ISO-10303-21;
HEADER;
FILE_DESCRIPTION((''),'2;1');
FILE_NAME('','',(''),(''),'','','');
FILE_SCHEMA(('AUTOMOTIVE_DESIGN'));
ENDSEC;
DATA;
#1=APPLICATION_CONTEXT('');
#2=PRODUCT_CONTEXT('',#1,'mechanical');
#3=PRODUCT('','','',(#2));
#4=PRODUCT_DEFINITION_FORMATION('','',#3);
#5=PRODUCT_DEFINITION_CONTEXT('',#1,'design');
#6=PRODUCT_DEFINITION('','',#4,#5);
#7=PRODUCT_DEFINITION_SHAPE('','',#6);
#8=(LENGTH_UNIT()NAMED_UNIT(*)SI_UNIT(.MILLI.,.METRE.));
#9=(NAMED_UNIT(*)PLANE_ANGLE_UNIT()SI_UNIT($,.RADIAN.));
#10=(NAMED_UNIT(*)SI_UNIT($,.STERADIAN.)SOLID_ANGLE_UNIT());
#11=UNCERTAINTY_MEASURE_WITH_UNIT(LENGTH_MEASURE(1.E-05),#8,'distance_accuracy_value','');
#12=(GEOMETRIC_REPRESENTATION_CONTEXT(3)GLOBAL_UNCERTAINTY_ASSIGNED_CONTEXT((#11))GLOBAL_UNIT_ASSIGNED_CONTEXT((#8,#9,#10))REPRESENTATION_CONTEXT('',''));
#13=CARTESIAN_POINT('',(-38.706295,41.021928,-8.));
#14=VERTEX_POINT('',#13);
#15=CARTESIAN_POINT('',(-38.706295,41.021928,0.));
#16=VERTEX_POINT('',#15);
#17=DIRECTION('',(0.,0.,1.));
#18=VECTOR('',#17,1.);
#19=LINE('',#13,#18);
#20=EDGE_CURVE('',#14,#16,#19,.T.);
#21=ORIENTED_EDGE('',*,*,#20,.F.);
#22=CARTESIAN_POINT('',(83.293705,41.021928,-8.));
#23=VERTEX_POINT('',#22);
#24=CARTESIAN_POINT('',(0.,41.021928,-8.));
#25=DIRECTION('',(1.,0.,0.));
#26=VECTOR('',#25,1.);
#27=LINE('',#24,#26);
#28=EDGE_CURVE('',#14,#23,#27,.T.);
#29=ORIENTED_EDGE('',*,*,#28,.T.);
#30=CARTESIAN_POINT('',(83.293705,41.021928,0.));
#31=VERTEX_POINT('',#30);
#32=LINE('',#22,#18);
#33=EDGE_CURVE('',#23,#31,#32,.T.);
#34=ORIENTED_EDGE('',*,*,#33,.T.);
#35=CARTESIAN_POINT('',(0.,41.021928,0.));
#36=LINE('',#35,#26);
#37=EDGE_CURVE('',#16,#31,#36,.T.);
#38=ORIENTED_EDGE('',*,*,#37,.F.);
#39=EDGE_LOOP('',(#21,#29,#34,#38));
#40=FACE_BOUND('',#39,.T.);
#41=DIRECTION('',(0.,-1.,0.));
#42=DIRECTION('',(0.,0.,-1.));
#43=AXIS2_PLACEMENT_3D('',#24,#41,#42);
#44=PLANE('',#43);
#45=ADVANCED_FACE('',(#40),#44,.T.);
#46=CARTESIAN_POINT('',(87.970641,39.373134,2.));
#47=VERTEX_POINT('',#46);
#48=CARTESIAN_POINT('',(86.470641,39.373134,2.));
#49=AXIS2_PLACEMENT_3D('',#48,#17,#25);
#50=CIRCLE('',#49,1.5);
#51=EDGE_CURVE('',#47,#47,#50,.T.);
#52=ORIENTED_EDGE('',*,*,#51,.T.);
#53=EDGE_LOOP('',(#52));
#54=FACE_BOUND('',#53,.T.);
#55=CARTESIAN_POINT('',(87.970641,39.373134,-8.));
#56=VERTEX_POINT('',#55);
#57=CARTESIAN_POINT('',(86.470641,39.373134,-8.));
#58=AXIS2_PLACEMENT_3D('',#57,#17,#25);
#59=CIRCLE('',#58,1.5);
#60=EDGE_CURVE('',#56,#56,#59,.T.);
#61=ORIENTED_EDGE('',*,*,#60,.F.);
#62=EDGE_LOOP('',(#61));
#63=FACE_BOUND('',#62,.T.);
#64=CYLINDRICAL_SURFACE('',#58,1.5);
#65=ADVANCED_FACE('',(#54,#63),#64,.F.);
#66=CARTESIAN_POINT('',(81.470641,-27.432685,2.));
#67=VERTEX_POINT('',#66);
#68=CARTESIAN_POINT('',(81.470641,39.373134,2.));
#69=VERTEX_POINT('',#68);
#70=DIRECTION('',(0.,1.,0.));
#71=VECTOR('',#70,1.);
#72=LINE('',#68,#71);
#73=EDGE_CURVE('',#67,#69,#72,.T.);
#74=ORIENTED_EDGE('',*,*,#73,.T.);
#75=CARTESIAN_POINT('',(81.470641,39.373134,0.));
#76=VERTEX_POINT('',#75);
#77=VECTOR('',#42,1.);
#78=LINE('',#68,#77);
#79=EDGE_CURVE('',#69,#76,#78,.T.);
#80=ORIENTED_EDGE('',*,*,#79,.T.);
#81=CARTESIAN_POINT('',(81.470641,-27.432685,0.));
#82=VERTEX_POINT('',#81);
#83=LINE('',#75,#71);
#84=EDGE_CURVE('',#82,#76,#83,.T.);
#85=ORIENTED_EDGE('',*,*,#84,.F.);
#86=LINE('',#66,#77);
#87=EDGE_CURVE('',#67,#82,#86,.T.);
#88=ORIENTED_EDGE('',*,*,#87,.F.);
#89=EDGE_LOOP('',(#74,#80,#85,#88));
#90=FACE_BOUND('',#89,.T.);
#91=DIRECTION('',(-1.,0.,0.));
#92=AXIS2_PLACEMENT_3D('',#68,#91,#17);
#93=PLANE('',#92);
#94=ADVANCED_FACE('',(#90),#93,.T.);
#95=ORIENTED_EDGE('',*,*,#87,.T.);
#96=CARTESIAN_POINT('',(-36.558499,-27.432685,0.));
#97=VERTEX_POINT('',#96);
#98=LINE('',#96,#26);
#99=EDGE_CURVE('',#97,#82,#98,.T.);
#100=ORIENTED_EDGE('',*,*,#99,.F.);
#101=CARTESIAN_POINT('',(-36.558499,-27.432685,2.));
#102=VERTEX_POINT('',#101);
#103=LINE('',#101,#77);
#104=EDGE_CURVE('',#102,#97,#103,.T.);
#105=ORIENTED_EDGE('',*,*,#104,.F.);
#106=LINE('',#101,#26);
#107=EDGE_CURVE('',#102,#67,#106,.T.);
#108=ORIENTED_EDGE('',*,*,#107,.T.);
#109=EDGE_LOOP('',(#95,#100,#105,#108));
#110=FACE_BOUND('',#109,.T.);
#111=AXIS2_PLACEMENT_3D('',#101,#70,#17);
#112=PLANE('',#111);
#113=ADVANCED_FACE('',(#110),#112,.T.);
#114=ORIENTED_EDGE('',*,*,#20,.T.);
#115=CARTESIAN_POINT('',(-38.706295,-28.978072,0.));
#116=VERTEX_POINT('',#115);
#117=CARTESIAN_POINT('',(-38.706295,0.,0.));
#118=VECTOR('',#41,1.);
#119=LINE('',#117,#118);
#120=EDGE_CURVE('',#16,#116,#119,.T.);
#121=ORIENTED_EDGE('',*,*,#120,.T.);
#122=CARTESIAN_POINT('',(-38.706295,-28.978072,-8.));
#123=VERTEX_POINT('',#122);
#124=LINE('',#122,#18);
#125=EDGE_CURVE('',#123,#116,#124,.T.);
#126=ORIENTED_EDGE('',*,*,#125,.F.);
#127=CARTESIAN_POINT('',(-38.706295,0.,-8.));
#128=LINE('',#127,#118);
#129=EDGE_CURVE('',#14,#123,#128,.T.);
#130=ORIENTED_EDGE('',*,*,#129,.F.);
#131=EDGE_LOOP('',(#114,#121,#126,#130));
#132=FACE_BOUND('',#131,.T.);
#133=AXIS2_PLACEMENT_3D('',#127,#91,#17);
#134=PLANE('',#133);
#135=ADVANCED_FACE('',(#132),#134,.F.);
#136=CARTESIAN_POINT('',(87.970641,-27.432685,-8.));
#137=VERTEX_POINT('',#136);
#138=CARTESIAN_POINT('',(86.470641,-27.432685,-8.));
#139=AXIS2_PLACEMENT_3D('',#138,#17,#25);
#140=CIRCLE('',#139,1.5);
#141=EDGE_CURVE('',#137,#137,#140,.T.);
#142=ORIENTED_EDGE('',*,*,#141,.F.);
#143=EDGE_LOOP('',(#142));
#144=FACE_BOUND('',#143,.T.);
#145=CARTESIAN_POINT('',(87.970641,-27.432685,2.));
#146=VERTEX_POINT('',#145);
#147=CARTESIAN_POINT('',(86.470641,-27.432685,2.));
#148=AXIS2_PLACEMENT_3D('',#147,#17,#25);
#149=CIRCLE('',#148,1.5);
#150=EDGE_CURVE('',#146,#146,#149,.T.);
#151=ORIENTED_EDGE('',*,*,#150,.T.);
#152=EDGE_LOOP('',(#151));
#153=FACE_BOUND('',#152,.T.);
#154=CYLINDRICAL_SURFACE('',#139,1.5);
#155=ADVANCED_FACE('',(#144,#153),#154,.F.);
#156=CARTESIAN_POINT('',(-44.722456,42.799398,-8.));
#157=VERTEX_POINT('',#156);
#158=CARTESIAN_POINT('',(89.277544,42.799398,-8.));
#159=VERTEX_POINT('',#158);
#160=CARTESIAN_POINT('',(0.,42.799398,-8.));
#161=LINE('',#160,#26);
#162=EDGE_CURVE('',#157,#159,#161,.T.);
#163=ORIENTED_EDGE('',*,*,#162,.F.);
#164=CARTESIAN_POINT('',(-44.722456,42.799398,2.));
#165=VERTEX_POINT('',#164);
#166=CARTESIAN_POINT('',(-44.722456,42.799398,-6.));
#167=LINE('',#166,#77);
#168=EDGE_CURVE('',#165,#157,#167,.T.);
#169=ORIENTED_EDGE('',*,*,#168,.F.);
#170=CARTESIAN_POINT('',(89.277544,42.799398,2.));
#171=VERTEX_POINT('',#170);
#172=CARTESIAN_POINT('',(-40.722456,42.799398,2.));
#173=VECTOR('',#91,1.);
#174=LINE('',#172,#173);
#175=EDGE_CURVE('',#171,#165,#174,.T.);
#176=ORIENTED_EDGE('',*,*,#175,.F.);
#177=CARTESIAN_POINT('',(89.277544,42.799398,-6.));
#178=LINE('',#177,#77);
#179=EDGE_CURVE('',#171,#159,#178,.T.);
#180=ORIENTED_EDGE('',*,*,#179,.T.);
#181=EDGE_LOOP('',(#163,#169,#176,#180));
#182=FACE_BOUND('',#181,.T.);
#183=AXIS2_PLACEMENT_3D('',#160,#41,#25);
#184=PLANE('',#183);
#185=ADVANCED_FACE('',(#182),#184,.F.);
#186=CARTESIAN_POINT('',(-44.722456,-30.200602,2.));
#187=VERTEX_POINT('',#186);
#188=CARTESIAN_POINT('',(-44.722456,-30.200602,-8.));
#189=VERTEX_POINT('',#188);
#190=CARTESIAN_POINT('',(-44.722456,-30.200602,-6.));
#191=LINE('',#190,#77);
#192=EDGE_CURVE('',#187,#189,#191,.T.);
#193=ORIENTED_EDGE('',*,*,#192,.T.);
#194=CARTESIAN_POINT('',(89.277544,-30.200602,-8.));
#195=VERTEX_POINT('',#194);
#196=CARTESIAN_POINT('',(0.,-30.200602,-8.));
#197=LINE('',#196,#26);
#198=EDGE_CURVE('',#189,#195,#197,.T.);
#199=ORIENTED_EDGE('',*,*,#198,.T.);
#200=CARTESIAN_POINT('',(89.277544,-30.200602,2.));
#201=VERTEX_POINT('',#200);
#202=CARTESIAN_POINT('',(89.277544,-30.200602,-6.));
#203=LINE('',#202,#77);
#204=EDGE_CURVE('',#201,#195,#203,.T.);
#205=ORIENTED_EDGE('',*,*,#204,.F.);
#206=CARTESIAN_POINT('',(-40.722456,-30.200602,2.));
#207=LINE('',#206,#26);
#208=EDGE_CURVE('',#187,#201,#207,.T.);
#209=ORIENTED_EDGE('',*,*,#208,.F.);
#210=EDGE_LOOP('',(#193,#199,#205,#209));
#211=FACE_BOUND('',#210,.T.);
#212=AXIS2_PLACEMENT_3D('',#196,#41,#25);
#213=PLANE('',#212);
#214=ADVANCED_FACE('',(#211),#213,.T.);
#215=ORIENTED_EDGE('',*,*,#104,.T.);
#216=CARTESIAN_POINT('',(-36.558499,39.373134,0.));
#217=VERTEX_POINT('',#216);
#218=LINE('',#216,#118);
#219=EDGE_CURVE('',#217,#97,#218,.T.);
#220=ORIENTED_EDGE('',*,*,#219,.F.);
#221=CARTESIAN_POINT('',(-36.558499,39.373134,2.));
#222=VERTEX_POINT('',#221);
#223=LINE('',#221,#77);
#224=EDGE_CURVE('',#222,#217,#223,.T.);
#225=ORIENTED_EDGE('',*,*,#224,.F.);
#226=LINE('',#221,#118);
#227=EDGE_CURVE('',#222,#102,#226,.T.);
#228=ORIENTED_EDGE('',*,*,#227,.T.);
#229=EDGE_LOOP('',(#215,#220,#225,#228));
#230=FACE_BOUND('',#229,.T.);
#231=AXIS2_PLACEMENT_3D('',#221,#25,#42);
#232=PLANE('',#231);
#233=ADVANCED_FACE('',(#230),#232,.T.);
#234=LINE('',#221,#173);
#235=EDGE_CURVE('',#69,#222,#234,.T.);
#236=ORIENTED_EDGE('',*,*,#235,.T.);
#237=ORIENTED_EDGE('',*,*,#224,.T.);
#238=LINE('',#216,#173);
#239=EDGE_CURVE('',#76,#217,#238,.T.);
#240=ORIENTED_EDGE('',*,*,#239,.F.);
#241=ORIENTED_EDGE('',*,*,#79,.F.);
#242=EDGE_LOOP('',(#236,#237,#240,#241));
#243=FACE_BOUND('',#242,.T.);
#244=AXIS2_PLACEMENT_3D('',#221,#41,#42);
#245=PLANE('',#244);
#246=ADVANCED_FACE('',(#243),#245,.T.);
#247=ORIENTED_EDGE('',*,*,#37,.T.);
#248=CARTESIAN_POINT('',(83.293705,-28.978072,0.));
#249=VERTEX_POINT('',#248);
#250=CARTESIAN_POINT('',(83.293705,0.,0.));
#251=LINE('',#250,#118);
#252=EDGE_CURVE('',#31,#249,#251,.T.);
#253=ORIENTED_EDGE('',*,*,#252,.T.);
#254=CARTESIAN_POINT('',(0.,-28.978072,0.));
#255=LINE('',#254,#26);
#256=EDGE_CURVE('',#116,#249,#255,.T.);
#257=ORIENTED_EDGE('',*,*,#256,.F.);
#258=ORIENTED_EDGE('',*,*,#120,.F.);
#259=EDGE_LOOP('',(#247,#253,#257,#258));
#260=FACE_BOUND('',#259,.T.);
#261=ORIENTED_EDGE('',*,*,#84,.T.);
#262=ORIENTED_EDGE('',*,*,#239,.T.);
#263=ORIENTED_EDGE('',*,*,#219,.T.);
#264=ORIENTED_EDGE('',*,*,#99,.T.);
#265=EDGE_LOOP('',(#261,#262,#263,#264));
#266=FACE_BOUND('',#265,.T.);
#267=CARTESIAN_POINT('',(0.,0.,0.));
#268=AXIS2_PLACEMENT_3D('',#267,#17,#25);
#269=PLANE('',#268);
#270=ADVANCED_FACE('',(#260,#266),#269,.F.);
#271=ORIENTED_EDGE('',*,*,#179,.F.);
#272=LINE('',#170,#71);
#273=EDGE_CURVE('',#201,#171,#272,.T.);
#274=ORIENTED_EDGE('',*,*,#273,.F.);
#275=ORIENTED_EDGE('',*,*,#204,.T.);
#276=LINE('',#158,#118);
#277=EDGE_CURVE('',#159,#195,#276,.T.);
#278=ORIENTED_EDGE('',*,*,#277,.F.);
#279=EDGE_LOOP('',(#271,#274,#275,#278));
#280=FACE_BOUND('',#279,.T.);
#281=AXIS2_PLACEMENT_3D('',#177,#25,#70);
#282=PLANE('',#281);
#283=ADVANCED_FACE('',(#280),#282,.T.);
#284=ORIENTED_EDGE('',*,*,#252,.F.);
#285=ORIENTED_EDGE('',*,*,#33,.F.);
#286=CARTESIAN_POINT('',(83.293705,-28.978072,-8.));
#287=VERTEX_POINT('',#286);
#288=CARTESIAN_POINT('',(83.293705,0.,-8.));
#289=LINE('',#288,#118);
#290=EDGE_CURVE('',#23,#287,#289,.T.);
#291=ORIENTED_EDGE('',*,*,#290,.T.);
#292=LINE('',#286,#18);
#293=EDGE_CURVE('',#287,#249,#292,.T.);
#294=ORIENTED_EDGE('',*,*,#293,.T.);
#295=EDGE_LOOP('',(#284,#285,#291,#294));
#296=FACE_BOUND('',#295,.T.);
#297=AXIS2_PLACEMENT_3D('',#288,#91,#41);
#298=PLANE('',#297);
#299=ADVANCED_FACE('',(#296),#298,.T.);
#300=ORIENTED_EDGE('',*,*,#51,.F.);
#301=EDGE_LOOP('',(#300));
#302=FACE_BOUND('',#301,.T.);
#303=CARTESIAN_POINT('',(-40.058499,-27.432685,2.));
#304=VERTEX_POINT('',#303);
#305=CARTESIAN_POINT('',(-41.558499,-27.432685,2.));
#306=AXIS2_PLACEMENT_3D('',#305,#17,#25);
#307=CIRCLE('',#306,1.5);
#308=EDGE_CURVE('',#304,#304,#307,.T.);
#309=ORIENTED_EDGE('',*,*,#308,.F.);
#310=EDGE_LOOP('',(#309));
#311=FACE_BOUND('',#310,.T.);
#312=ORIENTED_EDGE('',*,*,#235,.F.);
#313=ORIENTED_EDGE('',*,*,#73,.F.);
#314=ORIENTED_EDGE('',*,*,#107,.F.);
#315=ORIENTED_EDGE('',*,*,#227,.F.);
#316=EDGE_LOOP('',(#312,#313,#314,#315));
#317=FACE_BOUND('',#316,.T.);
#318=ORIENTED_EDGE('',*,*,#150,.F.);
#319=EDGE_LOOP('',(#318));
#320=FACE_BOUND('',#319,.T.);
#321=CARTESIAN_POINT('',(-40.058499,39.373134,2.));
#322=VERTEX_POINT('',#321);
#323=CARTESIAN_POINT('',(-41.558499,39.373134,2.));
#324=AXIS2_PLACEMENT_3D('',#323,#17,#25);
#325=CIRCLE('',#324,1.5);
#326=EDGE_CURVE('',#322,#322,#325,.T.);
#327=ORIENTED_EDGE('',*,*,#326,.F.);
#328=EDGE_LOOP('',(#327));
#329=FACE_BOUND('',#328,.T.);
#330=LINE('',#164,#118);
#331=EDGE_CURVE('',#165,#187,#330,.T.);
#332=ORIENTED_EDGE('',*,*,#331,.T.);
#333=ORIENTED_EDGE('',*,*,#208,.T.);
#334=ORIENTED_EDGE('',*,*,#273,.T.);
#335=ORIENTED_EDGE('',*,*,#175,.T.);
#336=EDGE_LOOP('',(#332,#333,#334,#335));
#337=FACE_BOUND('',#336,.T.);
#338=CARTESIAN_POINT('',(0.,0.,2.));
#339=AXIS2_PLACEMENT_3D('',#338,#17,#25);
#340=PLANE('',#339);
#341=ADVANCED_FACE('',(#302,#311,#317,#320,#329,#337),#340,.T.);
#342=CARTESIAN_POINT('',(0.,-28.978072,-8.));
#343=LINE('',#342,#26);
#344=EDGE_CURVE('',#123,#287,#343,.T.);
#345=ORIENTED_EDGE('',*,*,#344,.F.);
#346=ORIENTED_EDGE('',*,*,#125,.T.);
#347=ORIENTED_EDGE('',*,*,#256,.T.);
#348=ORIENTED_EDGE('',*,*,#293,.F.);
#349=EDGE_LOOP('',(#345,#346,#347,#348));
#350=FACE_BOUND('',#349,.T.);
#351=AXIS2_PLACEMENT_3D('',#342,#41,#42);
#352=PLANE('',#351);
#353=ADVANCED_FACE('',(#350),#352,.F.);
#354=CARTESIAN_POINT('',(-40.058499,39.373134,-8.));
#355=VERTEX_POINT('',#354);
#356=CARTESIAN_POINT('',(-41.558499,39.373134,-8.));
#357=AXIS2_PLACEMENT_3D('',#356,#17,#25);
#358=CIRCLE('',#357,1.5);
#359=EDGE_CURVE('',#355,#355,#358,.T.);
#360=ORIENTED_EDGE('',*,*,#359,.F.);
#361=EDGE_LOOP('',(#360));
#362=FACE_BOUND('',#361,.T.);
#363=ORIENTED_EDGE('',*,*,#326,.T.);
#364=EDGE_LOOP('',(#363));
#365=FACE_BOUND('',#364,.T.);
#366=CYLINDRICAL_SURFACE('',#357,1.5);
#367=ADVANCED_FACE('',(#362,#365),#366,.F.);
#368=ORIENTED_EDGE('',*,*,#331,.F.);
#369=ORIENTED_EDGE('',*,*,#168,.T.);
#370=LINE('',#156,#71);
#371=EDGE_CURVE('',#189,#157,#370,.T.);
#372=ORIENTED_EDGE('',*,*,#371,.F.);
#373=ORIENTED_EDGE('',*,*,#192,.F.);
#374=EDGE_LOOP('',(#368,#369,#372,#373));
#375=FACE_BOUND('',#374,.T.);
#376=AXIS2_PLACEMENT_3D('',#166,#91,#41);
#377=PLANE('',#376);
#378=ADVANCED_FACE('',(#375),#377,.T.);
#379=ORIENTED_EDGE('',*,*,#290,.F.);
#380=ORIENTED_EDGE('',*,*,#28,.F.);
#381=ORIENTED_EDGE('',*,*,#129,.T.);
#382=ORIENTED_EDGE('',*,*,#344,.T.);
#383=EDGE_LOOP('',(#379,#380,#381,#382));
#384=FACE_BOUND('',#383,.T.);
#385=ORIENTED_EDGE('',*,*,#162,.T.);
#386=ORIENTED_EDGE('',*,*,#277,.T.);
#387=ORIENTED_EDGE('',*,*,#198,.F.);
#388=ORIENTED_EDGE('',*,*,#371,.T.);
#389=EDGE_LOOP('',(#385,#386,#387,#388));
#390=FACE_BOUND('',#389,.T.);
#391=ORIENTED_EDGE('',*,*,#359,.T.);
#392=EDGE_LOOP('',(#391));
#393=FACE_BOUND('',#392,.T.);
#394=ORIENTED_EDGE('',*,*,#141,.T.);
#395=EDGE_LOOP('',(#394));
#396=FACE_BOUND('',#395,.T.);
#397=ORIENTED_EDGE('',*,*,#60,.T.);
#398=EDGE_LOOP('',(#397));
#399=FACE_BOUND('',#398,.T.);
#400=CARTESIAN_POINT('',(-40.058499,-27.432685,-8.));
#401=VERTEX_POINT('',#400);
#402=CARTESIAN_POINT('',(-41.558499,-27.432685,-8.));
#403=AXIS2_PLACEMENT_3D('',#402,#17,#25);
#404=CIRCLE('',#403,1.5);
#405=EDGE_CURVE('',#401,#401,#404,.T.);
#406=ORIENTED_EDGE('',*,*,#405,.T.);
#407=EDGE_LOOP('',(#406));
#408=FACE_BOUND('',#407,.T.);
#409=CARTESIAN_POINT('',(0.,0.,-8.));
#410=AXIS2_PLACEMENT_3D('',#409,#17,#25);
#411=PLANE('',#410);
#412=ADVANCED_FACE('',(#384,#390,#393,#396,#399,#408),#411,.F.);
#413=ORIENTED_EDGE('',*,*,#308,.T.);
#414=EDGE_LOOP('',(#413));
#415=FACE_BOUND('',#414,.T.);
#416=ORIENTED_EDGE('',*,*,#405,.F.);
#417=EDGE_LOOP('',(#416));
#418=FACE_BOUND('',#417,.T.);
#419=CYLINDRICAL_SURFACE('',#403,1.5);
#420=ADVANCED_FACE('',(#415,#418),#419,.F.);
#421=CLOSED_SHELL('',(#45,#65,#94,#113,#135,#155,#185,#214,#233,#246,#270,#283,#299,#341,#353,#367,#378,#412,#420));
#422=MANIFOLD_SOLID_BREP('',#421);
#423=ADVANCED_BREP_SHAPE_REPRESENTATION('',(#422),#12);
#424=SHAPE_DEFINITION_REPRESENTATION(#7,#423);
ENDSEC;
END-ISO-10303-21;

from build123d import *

# Parameters (mm, degrees)
SKETCH_1_W          = 126
SKETCH_1_H          = 73
SKETCH_1_W_2        = 122
SKETCH_1_H_2        = 70
EXTRUDE_1_DEPTH     = 8
SKETCH_5_W          = 126
SKETCH_5_H          = 73
SKETCH_5_W_2        = 118.02914008
SKETCH_5_H_2        = 66.805819456
EXTRUDE_2_DEPTH     = 2
SKETCH_7_W          = 4
SKETCH_7_H          = 73
EXTRUDE_3_DEPTH     = 2
SKETCH_8_W          = 4
SKETCH_8_H          = 73
EXTRUDE_5_DEPTH     = 2
SKETCH_10_W         = 4
SKETCH_10_H         = 73
EXTRUDE_6_DEPTH     = 5
SKETCH_12_W         = 4
SKETCH_12_H         = 73
EXTRUDE_7_DEPTH     = 3
CUT_EXTRUDE_1_DEPTH = 100.510141559


with BuildPart() as part:
    # 草图1 → 凸台-拉伸1 (new body)
    with BuildSketch(Plane.XY):
        with Locations((22.277543779, 6.299397776)):
            Rectangle(SKETCH_1_W, SKETCH_1_H)
        with Locations((22.29370516, 6.021928133)):
            Rectangle(SKETCH_1_W_2, SKETCH_1_H_2, mode=Mode.SUBTRACT)
    extrude(amount=-EXTRUDE_1_DEPTH)

    # 草图5 → 凸台-拉伸2 (add)
    with BuildSketch(Plane.XY):
        with Locations((22.277543779, 6.299397776)):
            Rectangle(SKETCH_5_W, SKETCH_5_H)
        with Locations((22.456070853, 5.970224549)):
            Rectangle(SKETCH_5_W_2, SKETCH_5_H_2, mode=Mode.SUBTRACT)
    extrude(amount=EXTRUDE_2_DEPTH)

    # 草图7 → 凸台-拉伸3 (add)
    with BuildSketch(Plane(origin=(0, 0, -8), x_dir=(-1, 0, 0), z_dir=(0, 0, -1))):
        with Locations((-87.277543779, 6.299397776)):
            Rectangle(SKETCH_7_W, SKETCH_7_H)
    extrude(amount=-EXTRUDE_3_DEPTH)

    # 草图8 → 凸台-拉伸5 (add)
    with BuildSketch(Plane(origin=(0, 0, -8), x_dir=(-1, 0, 0), z_dir=(0, 0, -1))):
        with Locations((42.722456221, 6.299397776)):
            Rectangle(SKETCH_8_W, SKETCH_8_H)
    extrude(amount=-EXTRUDE_5_DEPTH)

    # 草图10 → 凸台-拉伸6 (add)
    with BuildSketch(Plane.XY.offset(-6)):
        with Locations((87.277543779, 6.299397776)):
            Rectangle(SKETCH_10_W, SKETCH_10_H)
        with Locations((-42.722456221, 6.299397776)):
            Rectangle(SKETCH_10_W, SKETCH_10_H)
    extrude(amount=EXTRUDE_6_DEPTH)

    # 草图12 → 凸台-拉伸7 (add)
    with BuildSketch(Plane.XY.offset(-1)):
        with Locations((-42.722456221, 6.299397776)):
            Rectangle(SKETCH_12_W, SKETCH_12_H)
        with Locations((87.277543779, 6.299397776)):
            Rectangle(SKETCH_12_W, SKETCH_12_H)
    extrude(amount=EXTRUDE_7_DEPTH)

    # 草图13 → 切除-拉伸1 (cut, through all)
    with BuildSketch(Plane.XY.offset(2)):
        with BuildLine():
            ThreePointArc((87.970640893, -27.432685179), (87.531301065, -26.372025007), (86.470640893, -25.932685179))
            Line((86.470640893, -25.932685179), (86.470640893, -27.432685179))
            Line((86.470640893, -27.432685179), (84.970640893, -27.432685179))
            ThreePointArc((84.970640893, -27.432685179), (86.470640893, -28.932685179), (87.970640893, -27.432685179))
        make_face()
        with BuildLine():
            Line((86.470640893, -27.432685179), (86.470640893, -25.932685179))
            ThreePointArc((86.470640893, -25.932685179), (85.409980722, -26.372025007), (84.970640893, -27.432685179))
            Line((84.970640893, -27.432685179), (86.470640893, -27.432685179))
        make_face()
        with BuildLine():
            ThreePointArc((-40.058499187, -27.432685179), (-40.497839015, -26.372025007), (-41.558499187, -25.932685179))
            Line((-41.558499187, -25.932685179), (-41.558499187, -27.432685179))
            Line((-41.558499187, -27.432685179), (-40.058499187, -27.432685179))
        make_face()
        with BuildLine():
            Line((-41.558499187, -27.432685179), (-41.558499187, -25.932685179))
            ThreePointArc((-41.558499187, -25.932685179), (-42.619159359, -28.49334535), (-40.058499187, -27.432685179))
            Line((-40.058499187, -27.432685179), (-41.558499187, -27.432685179))
        make_face()
        with BuildLine():
            Line((-41.558499187, 37.873134277), (-41.558499187, 39.373134277))
            Line((-41.558499187, 39.373134277), (-40.058499187, 39.373134277))
            ThreePointArc((-40.058499187, 39.373134277), (-42.619159359, 40.433794449), (-41.558499187, 37.873134277))
        make_face()
        with BuildLine():
            Line((-40.058499187, 39.373134277), (-41.558499187, 39.373134277))
            Line((-41.558499187, 39.373134277), (-41.558499187, 37.873134277))
            ThreePointArc((-41.558499187, 37.873134277), (-40.497839015, 38.312474105), (-40.058499187, 39.373134277))
        make_face()
        with BuildLine():
            ThreePointArc((87.970640893, 39.373134277), (86.470640893, 40.873134277), (84.970640893, 39.373134277))
            Line((84.970640893, 39.373134277), (86.470640893, 39.373134277))
            Line((86.470640893, 39.373134277), (86.470640893, 37.873134277))
            ThreePointArc((86.470640893, 37.873134277), (87.531301065, 38.312474105), (87.970640893, 39.373134277))
        make_face()
        with BuildLine():
            Line((86.470640893, 39.373134277), (84.970640893, 39.373134277))
            ThreePointArc((84.970640893, 39.373134277), (85.409980722, 38.312474105), (86.470640893, 37.873134277))
            Line((86.470640893, 37.873134277), (86.470640893, 39.373134277))
        make_face()
    extrude(amount=-CUT_EXTRUDE_1_DEPTH, mode=Mode.SUBTRACT)


solid = part.part
